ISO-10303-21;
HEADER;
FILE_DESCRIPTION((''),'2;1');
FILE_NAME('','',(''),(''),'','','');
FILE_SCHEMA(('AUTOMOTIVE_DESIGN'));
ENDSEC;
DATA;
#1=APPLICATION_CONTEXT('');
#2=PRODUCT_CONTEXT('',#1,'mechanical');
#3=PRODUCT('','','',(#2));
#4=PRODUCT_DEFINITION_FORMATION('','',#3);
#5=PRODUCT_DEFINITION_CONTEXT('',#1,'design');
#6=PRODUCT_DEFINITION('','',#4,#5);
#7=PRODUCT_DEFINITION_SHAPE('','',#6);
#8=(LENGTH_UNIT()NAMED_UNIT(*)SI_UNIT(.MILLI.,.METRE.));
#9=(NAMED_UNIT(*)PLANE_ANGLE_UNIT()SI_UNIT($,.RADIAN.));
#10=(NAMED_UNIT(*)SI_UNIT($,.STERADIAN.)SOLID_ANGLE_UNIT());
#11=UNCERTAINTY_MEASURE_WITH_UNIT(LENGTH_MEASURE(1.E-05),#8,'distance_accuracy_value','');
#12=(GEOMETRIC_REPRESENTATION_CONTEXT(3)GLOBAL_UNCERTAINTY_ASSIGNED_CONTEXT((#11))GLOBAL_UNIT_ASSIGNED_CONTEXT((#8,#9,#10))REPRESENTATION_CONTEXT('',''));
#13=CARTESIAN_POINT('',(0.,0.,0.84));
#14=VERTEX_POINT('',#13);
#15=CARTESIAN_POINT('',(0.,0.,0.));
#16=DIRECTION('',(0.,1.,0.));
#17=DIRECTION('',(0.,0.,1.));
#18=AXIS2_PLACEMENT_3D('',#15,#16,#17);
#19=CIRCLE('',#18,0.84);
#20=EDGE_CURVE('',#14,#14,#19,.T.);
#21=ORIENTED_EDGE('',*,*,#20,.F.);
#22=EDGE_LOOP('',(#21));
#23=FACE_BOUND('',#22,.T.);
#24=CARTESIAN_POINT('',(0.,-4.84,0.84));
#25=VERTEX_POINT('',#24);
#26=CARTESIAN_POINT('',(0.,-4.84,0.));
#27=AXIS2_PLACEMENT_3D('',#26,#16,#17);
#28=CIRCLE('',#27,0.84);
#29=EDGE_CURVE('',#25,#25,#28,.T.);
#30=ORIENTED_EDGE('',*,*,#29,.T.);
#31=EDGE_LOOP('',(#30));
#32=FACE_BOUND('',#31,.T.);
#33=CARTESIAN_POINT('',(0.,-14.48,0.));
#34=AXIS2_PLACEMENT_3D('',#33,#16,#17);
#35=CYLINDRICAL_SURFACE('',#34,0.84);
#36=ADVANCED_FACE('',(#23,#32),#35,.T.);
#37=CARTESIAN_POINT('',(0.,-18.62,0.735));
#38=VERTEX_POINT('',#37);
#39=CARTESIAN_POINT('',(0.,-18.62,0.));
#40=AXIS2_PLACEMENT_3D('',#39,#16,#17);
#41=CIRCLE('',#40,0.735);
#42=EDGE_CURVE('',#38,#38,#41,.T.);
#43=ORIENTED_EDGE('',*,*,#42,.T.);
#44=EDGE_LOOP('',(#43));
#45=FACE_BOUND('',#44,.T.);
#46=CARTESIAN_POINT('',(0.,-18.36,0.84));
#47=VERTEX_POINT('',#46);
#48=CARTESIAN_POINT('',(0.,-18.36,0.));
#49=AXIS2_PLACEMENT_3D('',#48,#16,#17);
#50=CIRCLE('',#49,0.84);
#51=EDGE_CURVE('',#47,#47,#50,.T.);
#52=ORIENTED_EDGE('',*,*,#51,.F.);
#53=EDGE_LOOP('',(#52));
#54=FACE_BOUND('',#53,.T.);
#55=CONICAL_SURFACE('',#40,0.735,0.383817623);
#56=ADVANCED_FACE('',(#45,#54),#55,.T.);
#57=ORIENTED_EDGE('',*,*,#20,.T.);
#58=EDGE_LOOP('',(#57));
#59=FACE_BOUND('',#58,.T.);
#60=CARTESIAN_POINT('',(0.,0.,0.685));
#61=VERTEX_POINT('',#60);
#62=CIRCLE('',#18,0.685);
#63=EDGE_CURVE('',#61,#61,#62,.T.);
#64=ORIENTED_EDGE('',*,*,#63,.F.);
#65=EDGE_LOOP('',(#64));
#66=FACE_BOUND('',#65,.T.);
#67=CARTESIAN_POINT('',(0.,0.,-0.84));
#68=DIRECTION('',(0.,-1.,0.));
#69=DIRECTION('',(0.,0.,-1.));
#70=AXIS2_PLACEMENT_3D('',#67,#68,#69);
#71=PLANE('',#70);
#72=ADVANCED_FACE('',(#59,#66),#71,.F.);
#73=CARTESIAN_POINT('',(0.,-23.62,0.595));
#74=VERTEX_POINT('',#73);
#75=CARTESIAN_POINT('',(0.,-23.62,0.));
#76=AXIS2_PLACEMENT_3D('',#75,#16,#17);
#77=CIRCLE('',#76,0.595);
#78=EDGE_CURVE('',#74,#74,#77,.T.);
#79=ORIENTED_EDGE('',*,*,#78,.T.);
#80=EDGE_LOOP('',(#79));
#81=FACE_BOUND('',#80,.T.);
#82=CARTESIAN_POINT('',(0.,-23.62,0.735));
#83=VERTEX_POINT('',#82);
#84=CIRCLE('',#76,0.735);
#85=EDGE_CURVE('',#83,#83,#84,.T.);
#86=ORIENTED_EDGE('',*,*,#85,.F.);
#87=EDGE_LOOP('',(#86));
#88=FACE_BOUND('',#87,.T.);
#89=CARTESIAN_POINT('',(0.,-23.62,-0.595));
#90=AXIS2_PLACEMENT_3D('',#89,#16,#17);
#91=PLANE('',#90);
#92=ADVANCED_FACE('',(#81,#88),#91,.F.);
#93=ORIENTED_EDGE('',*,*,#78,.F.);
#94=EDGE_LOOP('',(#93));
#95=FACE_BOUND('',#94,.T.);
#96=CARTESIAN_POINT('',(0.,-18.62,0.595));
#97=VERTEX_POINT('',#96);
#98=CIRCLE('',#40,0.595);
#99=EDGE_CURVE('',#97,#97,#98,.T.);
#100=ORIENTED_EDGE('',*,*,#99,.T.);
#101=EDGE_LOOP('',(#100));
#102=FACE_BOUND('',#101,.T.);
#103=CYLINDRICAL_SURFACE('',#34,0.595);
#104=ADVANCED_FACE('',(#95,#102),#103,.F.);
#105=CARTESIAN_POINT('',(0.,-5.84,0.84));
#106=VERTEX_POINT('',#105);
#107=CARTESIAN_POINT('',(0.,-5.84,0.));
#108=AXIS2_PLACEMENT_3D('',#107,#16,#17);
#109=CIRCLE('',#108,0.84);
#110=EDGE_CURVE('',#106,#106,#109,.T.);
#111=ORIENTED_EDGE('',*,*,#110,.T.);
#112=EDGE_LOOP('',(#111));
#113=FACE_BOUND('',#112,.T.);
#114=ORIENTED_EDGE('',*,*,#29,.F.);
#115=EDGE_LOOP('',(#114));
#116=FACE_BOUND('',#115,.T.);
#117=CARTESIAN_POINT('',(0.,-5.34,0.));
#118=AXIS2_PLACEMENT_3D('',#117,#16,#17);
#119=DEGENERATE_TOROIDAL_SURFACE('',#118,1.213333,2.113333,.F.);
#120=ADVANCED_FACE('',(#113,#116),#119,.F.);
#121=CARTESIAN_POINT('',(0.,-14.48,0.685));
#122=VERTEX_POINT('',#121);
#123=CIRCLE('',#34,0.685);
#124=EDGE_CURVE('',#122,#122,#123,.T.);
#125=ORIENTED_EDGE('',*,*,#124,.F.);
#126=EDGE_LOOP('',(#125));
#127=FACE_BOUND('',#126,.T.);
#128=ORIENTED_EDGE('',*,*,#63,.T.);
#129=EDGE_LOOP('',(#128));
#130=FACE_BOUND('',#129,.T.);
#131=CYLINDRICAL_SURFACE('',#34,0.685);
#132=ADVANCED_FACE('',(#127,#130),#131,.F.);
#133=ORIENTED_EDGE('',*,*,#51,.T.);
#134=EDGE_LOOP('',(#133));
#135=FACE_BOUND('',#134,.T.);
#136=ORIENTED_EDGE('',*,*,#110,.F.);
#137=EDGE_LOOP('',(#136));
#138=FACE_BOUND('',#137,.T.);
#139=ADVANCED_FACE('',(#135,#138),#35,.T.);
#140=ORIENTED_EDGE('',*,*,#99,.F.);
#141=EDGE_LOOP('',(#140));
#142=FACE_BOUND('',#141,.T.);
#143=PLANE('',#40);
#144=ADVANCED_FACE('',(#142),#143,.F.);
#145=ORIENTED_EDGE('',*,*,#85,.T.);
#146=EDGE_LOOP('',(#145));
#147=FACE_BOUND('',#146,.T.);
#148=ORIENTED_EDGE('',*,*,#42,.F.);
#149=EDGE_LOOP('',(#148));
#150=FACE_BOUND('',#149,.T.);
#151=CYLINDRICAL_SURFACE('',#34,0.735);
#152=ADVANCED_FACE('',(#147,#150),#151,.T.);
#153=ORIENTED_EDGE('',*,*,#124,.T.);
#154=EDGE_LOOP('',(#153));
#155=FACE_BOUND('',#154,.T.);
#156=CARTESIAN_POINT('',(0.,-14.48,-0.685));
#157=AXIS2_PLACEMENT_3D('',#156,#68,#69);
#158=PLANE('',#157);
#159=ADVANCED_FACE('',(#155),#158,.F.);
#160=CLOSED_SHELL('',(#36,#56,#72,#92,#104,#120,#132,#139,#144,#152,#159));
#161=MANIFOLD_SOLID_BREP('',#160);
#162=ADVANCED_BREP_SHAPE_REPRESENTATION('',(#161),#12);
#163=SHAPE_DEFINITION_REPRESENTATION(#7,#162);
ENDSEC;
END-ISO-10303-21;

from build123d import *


with BuildPart() as part:
    # Sketch1 → Revolve1 (revolve)
    with BuildSketch(Plane(origin=(0, 0, 0), x_dir=(0, 0, -1), z_dir=(1, 0, 0)), mode=Mode.PRIVATE) as revolve1_sk:
        with BuildLine():
            Line((0.685, 0), (0.685, -14.48))
            Line((0.685, -14.48), (0, -14.48))
            Line((0, -14.48), (0, -18.62))
            Line((0, -18.62), (0.595, -18.62))
            Line((0.595, -18.62), (0.595, -23.62))
            Line((0.595, -23.62), (0.735, -23.62))
            Line((0.735, -23.62), (0.735, -18.62))
            Line((0.735, -18.62), (0.84, -18.36))
            Line((0.84, -18.36), (0.84, -5.84))
            ThreePointArc((0.84, -5.84), (0.9, -5.34), (0.84, -4.84))
            Line((0.84, -4.84), (0.84, 0))
            Line((0.84, 0), (0.685, 0))
        make_face()
    revolve(revolve1_sk.sketch.rotate(Axis((0, -14.48, 0), (0, -1, 0)), 180), axis=Axis((0, -14.48, 0), (0, -1, 0)))


solid = part.part
